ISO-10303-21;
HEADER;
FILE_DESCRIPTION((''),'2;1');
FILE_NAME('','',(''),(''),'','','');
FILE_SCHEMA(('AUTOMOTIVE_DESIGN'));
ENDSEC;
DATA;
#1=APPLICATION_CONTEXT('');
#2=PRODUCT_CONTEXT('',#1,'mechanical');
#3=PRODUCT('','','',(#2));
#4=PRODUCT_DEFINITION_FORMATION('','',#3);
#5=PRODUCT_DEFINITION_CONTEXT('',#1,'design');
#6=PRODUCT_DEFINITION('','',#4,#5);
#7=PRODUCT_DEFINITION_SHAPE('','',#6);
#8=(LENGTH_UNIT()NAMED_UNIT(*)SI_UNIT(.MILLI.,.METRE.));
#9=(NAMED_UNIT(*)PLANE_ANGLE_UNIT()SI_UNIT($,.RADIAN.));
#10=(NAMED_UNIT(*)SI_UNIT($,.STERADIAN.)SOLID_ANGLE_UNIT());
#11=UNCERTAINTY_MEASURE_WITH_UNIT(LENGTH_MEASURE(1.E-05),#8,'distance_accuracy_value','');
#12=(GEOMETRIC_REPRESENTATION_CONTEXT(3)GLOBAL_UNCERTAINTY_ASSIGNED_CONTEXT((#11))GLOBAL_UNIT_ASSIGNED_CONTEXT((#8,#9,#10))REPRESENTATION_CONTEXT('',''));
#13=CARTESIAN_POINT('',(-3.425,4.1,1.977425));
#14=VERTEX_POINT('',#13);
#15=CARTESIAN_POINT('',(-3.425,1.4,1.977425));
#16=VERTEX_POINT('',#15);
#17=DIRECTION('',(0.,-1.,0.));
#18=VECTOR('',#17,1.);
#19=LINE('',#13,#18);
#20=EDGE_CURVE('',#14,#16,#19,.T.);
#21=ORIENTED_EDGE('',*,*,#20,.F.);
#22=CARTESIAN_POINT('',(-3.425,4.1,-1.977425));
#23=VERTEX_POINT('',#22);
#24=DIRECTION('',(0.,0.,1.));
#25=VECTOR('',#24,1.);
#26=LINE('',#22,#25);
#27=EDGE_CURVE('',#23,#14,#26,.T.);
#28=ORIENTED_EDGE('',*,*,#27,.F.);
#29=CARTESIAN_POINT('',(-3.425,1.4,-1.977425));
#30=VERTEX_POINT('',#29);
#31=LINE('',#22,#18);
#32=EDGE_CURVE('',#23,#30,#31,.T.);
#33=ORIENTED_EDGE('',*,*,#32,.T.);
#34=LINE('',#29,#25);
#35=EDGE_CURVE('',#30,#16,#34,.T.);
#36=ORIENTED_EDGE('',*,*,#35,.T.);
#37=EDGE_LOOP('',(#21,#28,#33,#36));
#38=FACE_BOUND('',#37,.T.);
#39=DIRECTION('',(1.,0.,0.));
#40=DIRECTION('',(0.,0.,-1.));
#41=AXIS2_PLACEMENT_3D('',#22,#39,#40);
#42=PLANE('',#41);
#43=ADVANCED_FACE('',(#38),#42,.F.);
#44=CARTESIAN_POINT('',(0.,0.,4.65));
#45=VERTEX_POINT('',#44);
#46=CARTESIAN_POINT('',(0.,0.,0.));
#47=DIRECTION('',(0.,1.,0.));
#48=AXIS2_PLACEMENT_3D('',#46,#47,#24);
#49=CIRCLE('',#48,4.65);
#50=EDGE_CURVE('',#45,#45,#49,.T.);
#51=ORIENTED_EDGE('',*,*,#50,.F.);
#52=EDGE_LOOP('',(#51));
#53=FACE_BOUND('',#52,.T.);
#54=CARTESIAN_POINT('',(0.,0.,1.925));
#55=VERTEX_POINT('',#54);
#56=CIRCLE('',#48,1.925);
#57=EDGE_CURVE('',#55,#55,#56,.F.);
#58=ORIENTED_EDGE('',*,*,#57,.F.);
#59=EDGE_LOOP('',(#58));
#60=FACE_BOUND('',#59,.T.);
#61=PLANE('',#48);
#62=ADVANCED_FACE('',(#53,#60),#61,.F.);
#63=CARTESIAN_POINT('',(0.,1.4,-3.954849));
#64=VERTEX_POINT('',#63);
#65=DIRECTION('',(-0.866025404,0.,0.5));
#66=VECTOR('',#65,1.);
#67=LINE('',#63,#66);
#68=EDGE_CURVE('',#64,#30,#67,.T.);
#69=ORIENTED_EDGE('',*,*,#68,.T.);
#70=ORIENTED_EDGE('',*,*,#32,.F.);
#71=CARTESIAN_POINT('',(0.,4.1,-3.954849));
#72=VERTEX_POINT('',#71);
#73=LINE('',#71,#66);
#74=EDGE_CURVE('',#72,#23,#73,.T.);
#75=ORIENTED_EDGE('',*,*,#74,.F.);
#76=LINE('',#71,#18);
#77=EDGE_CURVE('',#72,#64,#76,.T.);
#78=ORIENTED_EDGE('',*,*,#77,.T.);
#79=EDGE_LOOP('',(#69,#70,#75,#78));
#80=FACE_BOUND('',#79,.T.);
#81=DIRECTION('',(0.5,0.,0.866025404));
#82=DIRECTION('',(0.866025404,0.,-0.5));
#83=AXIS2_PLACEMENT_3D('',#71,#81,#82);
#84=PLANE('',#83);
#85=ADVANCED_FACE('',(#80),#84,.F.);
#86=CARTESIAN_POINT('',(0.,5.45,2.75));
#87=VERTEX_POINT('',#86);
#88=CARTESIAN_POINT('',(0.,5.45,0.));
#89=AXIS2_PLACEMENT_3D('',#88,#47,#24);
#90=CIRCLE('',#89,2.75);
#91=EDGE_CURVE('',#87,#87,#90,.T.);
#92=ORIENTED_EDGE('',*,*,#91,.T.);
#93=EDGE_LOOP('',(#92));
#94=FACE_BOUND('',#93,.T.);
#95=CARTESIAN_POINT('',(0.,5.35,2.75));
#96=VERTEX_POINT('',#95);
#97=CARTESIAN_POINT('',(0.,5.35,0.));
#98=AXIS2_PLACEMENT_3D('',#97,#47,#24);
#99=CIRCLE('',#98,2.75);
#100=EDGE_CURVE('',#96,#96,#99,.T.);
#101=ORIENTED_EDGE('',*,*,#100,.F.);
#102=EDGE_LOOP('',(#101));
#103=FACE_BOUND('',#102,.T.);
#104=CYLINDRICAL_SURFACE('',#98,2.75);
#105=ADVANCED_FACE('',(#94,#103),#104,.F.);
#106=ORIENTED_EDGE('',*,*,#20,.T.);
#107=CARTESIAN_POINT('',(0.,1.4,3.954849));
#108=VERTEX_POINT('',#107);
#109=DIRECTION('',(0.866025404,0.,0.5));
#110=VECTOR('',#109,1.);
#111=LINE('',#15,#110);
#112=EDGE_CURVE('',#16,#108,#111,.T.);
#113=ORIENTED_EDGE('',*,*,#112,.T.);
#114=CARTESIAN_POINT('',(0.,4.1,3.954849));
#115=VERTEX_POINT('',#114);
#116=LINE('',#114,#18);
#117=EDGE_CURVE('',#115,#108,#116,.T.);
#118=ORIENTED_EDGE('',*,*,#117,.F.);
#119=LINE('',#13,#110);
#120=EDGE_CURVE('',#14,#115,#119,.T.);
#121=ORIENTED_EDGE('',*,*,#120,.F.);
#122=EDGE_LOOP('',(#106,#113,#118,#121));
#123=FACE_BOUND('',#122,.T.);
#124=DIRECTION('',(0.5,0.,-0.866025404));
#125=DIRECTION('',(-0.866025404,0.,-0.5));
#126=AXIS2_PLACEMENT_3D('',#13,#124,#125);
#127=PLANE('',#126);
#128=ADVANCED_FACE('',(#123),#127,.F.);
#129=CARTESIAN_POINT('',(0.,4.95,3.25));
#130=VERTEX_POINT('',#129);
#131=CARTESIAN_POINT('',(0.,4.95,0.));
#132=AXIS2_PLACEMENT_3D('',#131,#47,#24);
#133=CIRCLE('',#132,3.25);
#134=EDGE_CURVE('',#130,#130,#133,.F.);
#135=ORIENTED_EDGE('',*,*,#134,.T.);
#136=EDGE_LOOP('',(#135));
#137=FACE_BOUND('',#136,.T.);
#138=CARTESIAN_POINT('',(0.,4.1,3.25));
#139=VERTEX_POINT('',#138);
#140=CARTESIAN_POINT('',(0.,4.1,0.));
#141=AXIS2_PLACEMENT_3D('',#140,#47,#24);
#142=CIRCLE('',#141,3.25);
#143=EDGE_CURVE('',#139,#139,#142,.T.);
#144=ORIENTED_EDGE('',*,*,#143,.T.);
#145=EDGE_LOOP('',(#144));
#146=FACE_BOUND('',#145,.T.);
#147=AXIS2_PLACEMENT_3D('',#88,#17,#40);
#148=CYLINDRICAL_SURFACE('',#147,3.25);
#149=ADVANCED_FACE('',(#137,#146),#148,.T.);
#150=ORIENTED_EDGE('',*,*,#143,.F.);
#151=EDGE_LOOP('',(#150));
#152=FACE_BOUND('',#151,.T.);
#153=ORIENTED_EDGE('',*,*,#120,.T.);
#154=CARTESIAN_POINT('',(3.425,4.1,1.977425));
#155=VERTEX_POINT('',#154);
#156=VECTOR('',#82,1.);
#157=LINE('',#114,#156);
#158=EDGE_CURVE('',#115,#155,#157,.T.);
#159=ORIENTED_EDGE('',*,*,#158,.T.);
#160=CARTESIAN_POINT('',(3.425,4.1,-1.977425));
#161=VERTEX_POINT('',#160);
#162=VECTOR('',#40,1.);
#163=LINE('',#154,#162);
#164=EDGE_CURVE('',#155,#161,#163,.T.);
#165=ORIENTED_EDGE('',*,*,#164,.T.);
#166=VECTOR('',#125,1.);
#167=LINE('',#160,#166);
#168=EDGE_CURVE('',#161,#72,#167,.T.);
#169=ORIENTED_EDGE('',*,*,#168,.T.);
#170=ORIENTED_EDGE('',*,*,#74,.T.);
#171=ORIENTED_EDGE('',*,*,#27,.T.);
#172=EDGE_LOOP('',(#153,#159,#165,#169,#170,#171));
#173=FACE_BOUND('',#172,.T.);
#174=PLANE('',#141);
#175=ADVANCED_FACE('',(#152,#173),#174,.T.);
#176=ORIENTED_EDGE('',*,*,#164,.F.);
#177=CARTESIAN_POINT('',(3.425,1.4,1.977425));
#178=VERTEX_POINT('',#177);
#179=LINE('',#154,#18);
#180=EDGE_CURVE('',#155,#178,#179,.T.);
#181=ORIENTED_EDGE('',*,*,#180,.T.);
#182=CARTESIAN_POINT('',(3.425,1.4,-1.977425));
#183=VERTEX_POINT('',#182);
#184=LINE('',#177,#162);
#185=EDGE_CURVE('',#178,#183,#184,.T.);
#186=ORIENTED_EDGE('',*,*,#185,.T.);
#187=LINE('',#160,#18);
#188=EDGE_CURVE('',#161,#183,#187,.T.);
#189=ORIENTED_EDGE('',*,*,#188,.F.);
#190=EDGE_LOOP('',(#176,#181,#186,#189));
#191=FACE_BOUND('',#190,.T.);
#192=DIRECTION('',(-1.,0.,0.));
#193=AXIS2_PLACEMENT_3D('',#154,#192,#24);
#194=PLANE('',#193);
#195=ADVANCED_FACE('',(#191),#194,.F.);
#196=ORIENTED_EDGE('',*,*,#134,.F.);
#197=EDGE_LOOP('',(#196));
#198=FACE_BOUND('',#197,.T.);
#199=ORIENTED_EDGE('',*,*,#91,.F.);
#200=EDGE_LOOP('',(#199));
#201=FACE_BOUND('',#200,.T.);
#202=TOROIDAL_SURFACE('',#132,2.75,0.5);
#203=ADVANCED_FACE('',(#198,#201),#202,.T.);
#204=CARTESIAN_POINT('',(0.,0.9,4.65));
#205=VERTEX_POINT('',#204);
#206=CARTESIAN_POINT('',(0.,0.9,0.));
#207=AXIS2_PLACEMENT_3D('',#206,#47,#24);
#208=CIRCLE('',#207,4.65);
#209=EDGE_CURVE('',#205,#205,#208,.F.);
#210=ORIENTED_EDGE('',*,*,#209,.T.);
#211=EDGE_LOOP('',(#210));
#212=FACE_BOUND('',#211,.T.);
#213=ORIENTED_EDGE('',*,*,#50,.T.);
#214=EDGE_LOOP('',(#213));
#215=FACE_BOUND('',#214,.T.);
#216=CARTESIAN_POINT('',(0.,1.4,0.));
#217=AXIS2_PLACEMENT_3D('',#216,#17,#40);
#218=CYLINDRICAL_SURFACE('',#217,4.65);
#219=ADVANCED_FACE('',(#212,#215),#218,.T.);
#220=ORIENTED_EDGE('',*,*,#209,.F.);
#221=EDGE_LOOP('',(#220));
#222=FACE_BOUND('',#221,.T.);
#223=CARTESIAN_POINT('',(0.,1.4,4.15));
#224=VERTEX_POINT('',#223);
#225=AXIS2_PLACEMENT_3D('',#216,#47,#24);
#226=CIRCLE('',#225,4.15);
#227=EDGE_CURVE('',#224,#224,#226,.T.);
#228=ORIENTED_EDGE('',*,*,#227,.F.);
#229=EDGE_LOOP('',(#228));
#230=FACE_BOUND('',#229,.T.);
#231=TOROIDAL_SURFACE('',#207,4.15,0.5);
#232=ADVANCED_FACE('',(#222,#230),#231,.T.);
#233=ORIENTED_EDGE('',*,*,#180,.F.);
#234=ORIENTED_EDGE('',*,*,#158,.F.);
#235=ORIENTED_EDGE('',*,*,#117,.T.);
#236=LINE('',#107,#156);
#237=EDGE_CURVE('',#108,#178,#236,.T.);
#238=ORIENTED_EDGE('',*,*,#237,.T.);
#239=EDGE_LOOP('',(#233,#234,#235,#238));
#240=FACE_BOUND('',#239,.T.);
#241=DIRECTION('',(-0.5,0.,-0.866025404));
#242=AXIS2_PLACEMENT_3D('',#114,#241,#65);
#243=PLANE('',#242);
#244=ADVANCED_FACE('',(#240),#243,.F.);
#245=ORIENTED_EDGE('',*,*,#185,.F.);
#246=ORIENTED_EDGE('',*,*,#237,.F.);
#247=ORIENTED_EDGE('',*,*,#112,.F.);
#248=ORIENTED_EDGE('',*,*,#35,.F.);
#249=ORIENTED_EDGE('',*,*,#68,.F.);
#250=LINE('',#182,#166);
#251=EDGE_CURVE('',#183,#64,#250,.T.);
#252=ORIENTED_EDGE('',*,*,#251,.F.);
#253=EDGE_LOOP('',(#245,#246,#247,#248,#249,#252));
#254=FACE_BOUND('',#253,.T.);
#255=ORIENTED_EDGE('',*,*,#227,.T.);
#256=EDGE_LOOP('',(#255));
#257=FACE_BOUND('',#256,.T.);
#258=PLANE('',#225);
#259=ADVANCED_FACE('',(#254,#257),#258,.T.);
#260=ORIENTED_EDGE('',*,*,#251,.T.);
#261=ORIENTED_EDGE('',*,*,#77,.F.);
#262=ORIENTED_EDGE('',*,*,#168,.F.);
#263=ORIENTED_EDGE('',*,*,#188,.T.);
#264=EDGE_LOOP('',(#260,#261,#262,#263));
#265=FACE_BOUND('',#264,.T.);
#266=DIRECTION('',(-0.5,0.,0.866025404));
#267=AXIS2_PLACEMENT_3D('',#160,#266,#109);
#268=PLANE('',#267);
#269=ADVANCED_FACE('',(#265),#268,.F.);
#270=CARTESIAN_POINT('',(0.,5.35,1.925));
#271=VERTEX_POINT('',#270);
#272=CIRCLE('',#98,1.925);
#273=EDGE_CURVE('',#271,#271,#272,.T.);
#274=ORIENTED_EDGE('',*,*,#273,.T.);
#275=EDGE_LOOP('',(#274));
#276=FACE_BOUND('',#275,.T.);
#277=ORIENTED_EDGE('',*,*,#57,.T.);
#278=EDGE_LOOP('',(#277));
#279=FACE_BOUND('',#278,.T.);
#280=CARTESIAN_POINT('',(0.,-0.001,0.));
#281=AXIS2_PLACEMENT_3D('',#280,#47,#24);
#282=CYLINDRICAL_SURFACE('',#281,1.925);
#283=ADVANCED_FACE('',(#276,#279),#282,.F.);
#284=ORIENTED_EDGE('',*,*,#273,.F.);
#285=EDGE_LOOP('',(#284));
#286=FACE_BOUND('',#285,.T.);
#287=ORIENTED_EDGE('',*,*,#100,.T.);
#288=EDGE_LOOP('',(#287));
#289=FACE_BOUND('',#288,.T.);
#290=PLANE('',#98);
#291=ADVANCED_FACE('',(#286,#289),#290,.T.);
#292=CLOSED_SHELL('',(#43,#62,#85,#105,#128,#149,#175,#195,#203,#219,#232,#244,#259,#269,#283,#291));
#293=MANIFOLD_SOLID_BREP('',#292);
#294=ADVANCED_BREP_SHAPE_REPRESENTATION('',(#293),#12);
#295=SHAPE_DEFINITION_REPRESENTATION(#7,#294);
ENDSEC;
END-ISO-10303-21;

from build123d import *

# Parameters (mm, degrees)
SKETCH1_R           = 4.65
BOSS_EXTRUDE1_DEPTH = 1.4
BOSS_EXTRUDE2_DEPTH = 2.7
SKETCH3_R           = 3.25
BOSS_EXTRUDE3_DEPTH = 1.35
FILLET1_R           = 0.5
CUT_EXTRUDE1_REACH  = 7.45
SKETCH7_R           = 1.925
SKETCH8_R           = 2.75
SKETCH8_R_2         = 1.925
CUT_EXTRUDE2_DEPTH  = 0.1


with BuildPart() as part:
    # Sketch1 → Boss-Extrude1 (new body)
    with BuildSketch(Plane(origin=(0, 0, 0), x_dir=(1, 0, 0), z_dir=(0, 1, 0))):
        Circle(SKETCH1_R)
    extrude(amount=BOSS_EXTRUDE1_DEPTH)

    # Sketch2 → Boss-Extrude2 (add)
    with BuildSketch(Plane(origin=(0, 1.4, 0), x_dir=(1, 0, 0), z_dir=(0, 1, 0))):
        Polygon((0, -3.954849344), (3.425, -1.977424672), (3.425, 1.977424672), (0, 3.954849344), (-3.425, 1.977424672), (-3.425, -1.977424672), align=None)
    extrude(amount=BOSS_EXTRUDE2_DEPTH)

    # Sketch3 → Boss-Extrude3 (add)
    with BuildSketch(Plane(origin=(0, 4.1, 0), x_dir=(1, 0, 0), z_dir=(0, 1, 0))):
        Circle(SKETCH3_R)
    extrude(amount=BOSS_EXTRUDE3_DEPTH)

    # Fillet1
    fillet1_edges = [part.edges().sort_by_distance(p)[0] for p in [
        (-3.25, 5.45, 0),
        (-4.65, 1.4, 0),
    ]]
    fillet(fillet1_edges, radius=FILLET1_R)

    # Sketch7 → Cut-Extrude1 (cut, up to next)
    with BuildSketch(Plane(origin=(0, 5.45, 0), x_dir=(1, 0, 0), z_dir=(0, 1, 0)), mode=Mode.PRIVATE) as cut_extrude1_sk1:
        Circle(SKETCH7_R)
    cut_extrude1_tool1 = extrude(cut_extrude1_sk1.sketch, amount=-CUT_EXTRUDE1_REACH, mode=Mode.PRIVATE) & part.part
    add(cut_extrude1_tool1.solids().sort_by_distance((0, 5.45, 0))[0], mode=Mode.SUBTRACT)

    # Sketch8 → Cut-Extrude2 (cut)
    with BuildSketch(Plane(origin=(0, 5.45, 0), x_dir=(1, 0, 0), z_dir=(0, 1, 0))):
        Circle(SKETCH8_R)
        Circle(SKETCH8_R_2, mode=Mode.SUBTRACT)
    extrude(amount=-CUT_EXTRUDE2_DEPTH, mode=Mode.SUBTRACT)


solid = part.part
